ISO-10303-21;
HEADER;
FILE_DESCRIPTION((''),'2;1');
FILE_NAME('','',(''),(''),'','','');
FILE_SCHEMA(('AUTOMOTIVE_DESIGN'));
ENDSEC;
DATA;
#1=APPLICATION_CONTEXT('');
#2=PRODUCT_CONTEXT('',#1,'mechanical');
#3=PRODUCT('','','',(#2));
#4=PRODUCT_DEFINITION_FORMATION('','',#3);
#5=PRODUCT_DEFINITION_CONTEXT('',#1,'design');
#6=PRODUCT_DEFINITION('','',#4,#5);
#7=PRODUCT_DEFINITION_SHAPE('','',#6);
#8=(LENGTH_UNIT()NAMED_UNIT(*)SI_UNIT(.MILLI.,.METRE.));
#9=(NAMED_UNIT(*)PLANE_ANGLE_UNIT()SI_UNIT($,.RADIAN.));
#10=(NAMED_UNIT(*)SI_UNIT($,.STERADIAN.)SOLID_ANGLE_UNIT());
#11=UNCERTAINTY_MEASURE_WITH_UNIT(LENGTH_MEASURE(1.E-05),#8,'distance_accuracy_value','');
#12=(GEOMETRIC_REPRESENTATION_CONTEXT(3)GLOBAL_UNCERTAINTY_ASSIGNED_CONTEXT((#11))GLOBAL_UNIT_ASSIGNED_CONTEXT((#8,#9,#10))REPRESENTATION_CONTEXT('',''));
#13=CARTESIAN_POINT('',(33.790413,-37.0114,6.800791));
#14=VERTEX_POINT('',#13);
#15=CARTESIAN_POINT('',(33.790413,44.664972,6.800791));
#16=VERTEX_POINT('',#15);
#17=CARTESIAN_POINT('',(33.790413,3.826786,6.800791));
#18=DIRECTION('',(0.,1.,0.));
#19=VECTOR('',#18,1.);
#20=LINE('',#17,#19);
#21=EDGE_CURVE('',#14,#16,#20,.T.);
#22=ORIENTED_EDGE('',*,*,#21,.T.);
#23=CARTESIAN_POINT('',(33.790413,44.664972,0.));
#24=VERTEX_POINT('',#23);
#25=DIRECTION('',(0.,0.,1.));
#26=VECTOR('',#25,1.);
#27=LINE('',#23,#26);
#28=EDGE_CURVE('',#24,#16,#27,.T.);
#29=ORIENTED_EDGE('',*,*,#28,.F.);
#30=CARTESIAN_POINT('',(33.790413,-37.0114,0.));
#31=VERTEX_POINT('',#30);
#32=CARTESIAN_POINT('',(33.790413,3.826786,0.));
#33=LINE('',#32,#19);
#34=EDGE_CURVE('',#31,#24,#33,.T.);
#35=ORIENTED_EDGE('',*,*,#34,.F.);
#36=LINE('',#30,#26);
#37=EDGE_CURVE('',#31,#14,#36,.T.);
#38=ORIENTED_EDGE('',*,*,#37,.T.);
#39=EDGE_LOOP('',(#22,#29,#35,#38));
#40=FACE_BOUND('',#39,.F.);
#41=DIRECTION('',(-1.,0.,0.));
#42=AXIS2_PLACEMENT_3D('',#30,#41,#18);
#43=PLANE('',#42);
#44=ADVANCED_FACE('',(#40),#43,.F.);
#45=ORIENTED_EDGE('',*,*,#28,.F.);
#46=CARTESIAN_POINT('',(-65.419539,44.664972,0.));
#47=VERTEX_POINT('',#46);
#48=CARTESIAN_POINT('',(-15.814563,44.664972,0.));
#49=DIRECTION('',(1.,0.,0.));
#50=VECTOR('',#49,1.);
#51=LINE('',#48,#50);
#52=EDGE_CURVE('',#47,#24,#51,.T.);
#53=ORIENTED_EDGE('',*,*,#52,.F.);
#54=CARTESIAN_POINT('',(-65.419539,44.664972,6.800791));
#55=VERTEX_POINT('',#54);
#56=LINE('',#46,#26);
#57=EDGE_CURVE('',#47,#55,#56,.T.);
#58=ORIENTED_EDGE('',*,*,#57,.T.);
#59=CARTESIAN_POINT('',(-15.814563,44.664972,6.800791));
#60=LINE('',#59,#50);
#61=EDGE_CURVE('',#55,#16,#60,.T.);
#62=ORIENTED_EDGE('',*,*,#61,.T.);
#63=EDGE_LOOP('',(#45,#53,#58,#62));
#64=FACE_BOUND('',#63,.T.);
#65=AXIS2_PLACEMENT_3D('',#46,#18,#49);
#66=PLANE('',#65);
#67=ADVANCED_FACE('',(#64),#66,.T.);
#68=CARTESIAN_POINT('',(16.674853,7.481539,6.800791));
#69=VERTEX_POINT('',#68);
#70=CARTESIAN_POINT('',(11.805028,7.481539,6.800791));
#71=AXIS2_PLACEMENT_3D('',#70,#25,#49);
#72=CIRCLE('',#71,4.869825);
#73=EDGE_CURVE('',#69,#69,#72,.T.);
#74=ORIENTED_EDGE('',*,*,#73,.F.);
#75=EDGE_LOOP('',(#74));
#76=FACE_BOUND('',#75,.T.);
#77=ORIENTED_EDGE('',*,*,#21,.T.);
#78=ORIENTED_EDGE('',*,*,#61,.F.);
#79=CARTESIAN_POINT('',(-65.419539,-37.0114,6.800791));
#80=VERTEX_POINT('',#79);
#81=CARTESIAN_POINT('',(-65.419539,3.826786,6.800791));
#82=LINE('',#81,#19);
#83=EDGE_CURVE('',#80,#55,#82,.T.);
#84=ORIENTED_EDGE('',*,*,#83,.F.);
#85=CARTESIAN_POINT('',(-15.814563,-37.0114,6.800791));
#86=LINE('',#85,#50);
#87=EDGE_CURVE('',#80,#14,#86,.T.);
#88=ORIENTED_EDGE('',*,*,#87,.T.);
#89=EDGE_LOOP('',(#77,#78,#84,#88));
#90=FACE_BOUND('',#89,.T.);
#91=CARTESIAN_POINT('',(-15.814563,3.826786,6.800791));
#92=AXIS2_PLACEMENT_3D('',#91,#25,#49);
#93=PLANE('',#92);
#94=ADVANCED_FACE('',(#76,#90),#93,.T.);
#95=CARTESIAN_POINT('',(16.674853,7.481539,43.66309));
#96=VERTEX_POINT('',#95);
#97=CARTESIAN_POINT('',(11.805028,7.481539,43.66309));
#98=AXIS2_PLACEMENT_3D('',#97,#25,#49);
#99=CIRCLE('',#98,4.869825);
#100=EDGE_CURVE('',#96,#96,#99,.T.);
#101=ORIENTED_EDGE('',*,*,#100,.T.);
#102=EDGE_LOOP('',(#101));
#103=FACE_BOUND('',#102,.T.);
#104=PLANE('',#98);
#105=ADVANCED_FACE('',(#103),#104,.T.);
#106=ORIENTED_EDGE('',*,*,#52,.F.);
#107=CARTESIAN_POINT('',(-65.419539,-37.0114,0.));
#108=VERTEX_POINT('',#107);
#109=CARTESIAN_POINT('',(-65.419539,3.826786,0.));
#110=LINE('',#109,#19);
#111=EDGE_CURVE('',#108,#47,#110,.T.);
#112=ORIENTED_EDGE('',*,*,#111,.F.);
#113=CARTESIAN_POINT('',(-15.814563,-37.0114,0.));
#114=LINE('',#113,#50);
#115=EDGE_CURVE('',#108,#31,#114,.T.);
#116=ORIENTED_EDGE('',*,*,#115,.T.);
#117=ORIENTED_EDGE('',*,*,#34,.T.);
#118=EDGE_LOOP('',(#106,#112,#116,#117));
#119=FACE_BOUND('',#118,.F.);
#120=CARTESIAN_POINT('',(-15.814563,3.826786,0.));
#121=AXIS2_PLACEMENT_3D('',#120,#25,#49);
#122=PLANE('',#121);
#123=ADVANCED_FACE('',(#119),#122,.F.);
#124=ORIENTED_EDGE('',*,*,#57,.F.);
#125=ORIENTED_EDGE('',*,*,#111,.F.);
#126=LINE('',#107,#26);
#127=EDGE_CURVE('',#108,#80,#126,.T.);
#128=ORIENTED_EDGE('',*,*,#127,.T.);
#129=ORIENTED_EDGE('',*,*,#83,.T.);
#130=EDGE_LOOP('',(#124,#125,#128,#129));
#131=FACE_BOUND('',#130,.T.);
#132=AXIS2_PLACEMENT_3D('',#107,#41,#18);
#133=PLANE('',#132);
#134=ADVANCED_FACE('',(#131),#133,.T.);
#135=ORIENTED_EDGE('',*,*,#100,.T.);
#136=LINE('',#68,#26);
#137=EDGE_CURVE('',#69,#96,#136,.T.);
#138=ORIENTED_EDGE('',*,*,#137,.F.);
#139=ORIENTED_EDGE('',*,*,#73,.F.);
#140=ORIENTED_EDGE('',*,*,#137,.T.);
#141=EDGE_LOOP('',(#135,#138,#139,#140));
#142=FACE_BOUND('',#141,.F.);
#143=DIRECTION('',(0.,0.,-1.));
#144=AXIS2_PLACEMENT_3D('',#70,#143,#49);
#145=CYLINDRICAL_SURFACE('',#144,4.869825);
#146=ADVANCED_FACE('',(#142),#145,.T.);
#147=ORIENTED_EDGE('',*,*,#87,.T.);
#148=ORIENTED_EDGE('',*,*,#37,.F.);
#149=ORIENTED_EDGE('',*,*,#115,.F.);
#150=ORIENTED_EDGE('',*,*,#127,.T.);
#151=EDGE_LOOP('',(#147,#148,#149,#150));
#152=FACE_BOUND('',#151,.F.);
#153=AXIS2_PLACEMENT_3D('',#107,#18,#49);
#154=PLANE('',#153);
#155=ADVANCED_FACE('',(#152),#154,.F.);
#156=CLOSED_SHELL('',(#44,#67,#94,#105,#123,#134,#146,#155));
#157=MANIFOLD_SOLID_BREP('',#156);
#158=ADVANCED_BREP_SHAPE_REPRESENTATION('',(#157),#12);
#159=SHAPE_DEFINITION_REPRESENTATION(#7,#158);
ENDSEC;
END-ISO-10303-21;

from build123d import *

# Parameters (mm, degrees)
F1_W     = 99.209953
F1_H     = 81.676372
F2_DEPTH = 6.800791
F3_R     = 4.869825
F4_DEPTH = 36.862299


with BuildPart() as f2:
    # F1 (on face) → F2 (new body)
    with BuildSketch(Plane.XY):
        with Locations((-15.814563, 3.826786)):
            Rectangle(F1_W, F1_H)
    extrude(amount=F2_DEPTH)

    # F3 (on face) → F4 (join)
    with BuildSketch(Plane.XY.offset(6.800791)):
        with Locations((11.805028, 7.481539)):
            Circle(F3_R)
    extrude(amount=F4_DEPTH)


solid = f2.part
